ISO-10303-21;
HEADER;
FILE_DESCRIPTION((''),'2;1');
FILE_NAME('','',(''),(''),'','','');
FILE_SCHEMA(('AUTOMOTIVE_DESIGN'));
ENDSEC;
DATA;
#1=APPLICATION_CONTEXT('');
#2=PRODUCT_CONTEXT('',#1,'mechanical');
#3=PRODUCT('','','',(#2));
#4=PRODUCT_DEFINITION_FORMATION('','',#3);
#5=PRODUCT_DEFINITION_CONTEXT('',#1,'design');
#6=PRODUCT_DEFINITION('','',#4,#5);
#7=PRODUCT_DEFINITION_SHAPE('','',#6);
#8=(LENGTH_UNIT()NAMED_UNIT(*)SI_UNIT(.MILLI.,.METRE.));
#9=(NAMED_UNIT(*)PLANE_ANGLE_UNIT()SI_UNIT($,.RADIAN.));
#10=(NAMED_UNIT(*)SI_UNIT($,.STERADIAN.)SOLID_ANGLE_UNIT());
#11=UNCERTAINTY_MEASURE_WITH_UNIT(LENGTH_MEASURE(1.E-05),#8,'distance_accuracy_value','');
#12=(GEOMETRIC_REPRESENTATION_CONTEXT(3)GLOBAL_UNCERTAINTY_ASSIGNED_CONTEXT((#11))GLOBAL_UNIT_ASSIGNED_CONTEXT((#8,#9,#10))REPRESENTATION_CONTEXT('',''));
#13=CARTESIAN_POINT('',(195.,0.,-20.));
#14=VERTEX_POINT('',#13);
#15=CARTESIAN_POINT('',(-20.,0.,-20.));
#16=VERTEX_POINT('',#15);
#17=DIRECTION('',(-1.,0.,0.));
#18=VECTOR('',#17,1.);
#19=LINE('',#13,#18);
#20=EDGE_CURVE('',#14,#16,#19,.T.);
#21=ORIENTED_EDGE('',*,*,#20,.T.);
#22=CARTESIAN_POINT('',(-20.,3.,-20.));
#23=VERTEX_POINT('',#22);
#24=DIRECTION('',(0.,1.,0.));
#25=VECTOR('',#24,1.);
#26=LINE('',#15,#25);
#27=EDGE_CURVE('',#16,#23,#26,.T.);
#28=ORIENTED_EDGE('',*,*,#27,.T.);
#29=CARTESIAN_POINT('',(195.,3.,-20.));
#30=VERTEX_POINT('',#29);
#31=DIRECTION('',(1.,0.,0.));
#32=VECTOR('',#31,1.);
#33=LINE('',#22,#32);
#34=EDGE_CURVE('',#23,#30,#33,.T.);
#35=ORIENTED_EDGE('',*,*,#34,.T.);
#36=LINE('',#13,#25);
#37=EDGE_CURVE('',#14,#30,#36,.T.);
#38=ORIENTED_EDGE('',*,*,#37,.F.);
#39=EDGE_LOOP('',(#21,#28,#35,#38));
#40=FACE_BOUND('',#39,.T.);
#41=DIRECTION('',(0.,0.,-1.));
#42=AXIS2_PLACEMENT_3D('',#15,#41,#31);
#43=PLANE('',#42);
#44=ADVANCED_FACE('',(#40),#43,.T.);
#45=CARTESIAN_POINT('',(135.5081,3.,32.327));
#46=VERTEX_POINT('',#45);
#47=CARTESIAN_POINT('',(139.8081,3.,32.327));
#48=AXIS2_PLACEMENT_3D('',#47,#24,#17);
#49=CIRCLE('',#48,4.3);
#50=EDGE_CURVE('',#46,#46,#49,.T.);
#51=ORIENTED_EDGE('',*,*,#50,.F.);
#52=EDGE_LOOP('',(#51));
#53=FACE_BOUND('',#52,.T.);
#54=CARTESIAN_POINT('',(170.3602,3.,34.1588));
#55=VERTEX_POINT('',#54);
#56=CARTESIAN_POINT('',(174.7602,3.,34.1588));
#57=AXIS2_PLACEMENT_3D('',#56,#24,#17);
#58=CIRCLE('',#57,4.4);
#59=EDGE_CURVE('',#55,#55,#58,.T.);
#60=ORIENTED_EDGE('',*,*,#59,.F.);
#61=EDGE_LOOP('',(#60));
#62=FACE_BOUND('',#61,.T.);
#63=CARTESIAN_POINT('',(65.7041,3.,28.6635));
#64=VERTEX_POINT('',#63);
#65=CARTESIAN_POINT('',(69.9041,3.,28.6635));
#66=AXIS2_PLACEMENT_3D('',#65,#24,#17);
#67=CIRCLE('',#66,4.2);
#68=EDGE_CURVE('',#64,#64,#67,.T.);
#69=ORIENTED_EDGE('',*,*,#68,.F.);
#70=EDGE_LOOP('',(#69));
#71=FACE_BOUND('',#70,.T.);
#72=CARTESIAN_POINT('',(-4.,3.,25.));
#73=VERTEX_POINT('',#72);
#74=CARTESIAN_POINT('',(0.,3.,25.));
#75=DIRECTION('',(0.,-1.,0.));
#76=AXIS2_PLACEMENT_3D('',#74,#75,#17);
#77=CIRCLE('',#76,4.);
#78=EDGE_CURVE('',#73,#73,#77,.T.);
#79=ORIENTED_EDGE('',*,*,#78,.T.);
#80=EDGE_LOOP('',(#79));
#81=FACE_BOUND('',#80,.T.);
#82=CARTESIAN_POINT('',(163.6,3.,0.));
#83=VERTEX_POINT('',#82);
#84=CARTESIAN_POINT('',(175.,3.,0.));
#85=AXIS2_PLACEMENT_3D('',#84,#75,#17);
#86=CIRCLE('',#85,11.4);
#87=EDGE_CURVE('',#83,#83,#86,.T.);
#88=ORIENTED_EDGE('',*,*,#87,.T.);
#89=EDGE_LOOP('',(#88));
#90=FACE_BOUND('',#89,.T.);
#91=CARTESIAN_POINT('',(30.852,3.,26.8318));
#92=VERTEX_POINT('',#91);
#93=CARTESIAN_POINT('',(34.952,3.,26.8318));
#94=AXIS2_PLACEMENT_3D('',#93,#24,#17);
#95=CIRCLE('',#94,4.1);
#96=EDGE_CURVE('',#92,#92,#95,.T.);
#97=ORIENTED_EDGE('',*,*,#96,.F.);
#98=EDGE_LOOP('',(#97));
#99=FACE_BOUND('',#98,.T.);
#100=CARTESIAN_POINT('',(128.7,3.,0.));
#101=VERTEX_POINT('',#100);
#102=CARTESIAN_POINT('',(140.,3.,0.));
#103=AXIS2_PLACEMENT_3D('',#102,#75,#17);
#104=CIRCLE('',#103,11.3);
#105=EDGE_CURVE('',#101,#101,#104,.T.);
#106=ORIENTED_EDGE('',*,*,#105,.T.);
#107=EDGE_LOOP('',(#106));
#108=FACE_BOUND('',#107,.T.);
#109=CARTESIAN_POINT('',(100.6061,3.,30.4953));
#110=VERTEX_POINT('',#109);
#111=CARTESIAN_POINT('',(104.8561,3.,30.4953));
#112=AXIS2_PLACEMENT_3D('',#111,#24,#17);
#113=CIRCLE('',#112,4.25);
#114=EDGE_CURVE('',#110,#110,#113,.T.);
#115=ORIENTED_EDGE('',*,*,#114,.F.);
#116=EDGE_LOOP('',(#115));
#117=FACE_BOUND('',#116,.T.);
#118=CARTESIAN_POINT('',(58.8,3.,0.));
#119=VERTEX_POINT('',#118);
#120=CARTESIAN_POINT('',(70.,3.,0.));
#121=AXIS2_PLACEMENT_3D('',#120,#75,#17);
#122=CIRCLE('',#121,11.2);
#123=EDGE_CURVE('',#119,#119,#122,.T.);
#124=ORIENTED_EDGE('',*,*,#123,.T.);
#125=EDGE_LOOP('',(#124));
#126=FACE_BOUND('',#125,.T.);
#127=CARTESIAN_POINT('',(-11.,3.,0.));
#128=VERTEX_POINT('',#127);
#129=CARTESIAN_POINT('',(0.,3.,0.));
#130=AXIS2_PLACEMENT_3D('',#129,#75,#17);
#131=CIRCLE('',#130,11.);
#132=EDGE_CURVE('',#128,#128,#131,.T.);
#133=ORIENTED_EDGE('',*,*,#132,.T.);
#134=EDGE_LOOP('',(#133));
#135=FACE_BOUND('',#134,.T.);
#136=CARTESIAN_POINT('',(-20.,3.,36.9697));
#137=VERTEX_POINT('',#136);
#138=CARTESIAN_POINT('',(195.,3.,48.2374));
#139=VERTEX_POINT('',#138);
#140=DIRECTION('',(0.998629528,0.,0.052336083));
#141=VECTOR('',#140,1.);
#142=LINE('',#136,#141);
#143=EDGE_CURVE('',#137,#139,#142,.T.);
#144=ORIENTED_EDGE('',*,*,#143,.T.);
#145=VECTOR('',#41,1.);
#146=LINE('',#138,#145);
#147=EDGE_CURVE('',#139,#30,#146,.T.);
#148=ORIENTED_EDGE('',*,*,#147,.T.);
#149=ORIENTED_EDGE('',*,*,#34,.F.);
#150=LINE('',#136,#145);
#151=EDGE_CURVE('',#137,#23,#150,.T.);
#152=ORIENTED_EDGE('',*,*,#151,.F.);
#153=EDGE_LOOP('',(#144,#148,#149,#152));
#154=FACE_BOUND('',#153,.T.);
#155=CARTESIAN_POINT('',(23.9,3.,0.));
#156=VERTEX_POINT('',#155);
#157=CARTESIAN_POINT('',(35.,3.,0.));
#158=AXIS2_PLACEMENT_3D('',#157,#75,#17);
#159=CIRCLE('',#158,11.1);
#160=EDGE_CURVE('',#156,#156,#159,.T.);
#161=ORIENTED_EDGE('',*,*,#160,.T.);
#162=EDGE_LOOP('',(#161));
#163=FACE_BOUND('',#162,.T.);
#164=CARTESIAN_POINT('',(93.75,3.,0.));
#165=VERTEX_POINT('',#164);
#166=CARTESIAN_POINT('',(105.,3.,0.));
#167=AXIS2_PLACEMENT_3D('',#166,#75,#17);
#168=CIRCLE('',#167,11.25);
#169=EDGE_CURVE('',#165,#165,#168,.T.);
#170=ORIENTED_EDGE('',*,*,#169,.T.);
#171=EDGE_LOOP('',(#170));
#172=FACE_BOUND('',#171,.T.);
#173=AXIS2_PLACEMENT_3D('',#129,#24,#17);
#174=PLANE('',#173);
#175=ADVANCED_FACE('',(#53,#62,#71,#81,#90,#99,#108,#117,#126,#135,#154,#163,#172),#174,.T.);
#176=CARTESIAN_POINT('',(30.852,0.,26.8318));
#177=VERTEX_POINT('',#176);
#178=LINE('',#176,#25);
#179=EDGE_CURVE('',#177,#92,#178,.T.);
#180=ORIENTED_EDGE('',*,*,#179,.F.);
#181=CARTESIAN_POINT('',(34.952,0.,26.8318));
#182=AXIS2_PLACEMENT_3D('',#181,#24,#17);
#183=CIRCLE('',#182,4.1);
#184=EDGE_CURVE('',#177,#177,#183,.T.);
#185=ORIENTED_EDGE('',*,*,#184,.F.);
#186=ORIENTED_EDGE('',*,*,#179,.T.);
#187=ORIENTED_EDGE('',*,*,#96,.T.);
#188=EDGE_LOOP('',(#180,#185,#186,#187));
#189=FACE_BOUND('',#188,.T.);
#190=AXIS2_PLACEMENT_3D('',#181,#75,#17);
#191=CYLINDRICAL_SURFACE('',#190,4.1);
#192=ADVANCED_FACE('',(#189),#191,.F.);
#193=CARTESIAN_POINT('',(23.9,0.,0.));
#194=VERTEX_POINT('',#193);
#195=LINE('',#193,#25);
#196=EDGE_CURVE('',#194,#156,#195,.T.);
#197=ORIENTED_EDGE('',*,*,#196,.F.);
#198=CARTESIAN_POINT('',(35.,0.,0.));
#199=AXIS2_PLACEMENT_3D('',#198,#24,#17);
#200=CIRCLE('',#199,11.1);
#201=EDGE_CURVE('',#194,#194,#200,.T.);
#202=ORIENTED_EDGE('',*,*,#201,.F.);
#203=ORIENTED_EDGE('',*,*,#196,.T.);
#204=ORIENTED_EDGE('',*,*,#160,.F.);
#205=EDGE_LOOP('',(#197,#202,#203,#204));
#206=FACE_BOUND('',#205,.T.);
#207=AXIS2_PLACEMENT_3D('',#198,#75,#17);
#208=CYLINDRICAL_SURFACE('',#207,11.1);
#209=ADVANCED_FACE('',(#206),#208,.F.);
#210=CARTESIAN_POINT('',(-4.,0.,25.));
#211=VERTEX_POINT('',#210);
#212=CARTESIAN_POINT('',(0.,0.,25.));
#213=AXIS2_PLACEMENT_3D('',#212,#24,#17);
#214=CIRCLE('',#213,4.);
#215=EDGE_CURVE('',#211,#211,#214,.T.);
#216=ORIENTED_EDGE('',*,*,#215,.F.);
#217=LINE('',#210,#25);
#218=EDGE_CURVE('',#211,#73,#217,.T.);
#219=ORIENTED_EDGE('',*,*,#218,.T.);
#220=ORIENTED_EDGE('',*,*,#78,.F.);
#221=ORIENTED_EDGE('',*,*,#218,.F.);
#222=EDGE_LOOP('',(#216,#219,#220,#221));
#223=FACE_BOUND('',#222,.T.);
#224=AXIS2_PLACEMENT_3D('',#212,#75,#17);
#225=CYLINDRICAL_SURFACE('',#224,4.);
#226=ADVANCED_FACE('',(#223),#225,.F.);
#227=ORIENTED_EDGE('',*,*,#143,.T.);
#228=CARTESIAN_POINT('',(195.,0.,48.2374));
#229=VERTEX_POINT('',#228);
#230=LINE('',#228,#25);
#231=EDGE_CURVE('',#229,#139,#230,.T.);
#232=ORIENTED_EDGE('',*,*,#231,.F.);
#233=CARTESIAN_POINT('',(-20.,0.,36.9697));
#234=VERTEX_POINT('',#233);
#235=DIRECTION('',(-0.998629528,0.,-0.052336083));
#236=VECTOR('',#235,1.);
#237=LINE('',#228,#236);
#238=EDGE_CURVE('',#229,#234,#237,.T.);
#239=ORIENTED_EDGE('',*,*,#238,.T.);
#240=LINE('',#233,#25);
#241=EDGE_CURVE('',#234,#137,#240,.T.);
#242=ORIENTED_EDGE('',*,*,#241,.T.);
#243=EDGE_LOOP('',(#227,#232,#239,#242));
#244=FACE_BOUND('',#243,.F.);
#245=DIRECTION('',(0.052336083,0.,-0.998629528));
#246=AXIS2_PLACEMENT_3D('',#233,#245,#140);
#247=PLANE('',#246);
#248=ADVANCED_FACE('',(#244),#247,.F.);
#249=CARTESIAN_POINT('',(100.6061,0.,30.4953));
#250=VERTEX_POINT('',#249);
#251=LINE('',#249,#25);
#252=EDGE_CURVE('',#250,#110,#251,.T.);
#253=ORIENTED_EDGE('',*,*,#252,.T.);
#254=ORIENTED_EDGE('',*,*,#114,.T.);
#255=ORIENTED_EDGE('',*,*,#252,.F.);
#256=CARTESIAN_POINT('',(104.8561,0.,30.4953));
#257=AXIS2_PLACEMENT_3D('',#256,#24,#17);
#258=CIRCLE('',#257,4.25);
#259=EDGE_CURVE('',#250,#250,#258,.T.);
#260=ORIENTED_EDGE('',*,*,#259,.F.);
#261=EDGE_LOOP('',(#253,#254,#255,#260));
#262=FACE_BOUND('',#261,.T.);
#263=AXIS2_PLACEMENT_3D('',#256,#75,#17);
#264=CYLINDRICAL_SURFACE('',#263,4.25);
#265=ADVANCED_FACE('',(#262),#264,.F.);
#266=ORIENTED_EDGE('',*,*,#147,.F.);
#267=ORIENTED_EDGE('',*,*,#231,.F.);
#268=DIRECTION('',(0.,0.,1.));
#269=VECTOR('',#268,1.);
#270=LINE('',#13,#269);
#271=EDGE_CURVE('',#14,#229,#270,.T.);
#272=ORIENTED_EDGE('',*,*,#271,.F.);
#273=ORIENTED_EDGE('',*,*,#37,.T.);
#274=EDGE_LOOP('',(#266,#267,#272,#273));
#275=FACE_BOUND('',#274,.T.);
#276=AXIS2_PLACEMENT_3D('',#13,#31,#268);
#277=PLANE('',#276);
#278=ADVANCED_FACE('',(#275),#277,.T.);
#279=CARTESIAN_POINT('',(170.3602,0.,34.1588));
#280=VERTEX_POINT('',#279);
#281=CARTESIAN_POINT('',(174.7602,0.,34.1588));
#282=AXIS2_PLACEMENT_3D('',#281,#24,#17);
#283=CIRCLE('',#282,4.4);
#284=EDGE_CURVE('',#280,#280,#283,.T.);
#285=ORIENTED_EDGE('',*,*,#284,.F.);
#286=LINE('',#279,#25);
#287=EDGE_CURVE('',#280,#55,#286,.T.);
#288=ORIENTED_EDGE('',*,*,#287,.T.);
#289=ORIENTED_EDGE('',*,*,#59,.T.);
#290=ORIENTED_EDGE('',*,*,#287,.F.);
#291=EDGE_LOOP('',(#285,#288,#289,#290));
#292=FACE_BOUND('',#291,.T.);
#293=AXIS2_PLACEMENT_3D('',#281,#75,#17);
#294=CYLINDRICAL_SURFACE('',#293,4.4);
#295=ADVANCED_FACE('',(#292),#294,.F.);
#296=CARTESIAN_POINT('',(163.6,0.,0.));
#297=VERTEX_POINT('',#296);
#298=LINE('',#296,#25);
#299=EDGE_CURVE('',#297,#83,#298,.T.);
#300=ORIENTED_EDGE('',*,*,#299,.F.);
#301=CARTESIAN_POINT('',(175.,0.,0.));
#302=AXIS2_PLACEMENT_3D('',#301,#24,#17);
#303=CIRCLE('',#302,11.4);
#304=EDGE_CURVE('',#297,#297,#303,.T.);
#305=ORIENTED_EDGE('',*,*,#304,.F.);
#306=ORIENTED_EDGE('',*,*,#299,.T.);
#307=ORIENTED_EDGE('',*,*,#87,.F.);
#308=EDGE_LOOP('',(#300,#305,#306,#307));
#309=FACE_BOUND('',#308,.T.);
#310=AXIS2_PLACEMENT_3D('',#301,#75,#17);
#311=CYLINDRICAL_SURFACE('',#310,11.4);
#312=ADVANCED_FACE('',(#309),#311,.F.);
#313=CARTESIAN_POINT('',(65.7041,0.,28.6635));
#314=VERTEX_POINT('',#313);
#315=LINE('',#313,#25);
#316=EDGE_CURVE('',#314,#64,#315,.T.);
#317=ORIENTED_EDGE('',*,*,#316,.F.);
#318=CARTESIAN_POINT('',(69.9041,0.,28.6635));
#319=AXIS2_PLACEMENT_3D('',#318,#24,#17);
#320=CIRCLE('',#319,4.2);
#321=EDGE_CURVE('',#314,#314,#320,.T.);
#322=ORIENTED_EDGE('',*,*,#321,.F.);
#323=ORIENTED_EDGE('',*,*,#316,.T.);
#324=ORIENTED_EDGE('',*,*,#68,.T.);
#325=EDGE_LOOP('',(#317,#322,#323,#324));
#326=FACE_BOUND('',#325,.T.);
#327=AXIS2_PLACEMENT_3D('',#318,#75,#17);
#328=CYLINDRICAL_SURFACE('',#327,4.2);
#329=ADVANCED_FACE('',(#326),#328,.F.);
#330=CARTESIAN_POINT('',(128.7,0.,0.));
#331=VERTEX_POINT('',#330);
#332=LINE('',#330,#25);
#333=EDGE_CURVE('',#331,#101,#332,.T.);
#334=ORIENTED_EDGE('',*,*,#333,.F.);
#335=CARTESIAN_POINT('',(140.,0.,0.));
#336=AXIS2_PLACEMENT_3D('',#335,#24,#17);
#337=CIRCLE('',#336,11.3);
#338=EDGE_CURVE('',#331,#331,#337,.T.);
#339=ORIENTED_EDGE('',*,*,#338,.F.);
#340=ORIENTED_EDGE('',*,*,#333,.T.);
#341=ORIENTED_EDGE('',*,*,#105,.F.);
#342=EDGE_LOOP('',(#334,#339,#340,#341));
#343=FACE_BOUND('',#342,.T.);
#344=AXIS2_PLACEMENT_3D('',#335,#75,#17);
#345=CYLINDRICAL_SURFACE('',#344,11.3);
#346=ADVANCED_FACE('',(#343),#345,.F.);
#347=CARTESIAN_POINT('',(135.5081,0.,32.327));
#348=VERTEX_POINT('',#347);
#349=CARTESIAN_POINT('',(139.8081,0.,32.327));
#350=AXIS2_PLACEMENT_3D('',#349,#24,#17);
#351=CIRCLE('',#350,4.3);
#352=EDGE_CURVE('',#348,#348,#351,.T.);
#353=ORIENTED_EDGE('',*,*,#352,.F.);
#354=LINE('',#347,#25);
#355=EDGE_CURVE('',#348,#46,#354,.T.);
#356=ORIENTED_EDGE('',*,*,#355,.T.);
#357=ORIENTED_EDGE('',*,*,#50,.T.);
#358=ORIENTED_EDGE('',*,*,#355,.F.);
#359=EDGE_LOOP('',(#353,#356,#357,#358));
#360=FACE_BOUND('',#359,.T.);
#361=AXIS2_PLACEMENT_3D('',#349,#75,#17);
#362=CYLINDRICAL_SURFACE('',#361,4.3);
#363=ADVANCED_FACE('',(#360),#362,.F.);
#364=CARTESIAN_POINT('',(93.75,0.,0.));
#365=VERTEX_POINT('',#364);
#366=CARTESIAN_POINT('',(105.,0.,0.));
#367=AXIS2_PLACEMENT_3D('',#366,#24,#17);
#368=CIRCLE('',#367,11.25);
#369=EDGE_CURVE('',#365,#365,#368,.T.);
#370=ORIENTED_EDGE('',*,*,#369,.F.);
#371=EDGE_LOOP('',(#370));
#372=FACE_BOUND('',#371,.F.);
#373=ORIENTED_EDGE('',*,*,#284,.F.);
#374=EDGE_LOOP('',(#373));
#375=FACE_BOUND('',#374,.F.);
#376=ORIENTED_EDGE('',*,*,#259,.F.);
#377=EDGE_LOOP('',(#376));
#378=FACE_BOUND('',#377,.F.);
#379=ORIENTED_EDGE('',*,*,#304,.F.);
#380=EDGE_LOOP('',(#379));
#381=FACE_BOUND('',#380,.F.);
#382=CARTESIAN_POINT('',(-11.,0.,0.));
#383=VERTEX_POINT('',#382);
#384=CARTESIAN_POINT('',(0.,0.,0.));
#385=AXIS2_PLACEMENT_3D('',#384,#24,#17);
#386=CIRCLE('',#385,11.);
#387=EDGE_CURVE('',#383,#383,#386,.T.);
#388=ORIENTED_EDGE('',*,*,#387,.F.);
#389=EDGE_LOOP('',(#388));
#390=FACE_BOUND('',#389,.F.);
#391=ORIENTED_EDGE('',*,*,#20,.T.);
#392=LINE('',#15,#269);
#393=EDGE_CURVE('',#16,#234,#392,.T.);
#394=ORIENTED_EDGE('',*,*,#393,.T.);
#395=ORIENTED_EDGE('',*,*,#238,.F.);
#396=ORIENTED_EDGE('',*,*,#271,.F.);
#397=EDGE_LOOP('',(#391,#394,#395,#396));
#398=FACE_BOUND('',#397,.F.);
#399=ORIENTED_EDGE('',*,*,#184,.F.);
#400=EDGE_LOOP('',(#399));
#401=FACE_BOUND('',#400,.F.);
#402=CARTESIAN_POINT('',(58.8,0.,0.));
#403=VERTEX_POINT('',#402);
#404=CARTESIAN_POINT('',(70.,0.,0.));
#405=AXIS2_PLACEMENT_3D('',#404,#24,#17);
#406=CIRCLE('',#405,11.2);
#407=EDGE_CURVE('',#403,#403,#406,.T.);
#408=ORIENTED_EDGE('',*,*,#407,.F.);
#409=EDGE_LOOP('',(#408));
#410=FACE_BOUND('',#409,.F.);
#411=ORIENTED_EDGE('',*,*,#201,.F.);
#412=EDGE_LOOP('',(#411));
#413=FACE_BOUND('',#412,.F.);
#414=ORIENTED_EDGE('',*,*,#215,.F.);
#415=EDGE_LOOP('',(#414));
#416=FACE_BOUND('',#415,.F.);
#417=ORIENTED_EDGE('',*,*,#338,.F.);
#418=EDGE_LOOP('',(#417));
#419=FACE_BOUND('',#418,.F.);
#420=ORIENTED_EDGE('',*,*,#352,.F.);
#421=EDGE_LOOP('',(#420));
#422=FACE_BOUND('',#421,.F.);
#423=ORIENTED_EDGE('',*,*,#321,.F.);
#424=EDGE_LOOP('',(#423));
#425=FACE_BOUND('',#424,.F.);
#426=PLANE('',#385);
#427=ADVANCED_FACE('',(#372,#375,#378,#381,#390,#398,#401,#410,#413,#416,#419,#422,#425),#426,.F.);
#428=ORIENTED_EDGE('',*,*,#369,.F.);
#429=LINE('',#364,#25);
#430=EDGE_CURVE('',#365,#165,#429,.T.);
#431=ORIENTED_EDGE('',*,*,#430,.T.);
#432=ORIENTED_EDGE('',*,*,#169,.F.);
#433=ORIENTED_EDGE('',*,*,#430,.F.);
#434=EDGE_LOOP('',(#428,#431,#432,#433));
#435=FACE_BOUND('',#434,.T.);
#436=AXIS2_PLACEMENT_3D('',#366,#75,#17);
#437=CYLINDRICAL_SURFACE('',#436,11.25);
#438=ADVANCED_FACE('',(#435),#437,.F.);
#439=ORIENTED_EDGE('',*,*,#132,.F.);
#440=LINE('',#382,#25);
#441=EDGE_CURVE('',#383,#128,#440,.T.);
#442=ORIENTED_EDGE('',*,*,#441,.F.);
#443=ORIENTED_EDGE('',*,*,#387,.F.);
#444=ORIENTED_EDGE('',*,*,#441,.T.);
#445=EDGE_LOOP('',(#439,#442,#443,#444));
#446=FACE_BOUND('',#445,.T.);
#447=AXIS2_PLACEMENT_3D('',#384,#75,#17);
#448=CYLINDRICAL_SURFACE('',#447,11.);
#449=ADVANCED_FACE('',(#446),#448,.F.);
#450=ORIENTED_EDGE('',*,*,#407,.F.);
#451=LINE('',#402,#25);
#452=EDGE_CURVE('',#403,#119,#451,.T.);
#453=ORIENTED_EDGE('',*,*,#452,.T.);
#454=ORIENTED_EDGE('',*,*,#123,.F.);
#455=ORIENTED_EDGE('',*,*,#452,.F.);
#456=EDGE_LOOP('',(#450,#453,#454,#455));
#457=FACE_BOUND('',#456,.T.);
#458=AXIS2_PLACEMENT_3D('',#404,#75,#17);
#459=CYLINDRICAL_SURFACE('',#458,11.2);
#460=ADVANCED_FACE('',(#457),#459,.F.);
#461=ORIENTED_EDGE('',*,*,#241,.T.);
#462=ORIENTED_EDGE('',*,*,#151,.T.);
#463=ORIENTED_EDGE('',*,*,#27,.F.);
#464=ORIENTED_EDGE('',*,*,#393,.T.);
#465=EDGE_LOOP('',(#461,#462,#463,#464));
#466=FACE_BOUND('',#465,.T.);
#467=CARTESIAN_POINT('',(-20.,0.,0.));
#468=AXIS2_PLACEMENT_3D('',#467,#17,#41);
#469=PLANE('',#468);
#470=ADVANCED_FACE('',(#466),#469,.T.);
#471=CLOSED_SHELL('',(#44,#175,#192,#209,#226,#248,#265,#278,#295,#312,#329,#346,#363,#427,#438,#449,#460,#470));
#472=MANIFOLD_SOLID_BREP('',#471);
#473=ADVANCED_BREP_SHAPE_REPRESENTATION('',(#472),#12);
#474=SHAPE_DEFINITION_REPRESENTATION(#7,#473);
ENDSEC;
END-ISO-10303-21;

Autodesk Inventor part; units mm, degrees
ref_plane "YZ Plane" through (0, 0, 0) normal (1, 0, 0) x (0, 1, 0)
ref_plane "XZ Plane" through (0, 0, 0) normal (0, 1, 0) x (-1, 0, 0)
ref_plane "XY Plane" through (0, 0, 0) normal (0, 0, 1) x (1, 0, 0)
sketch "Sketch1" plane through (0, 0, 0) normal (0, 1, 0) x (-1, 0, 0)
  line L0 (64.9523, 0) -> (-249.7137, 0) projected
  line L1 (0, -33.6475) -> (0, 61.8848) projected
  circle A0 centre (0, 0) radius 11
  circle A1 centre (-35, 0) radius 11.1
  circle A2 centre (-70, 0) radius 11.2
  circle A3 centre (-105, 0) radius 11.25
  circle A4 centre (-140, 0) radius 11.3
  circle A5 centre (-175, 0) radius 11.4
  line L2 (13.9808, 24.2673) -> (-204.7614, 35.7311) construction
  circle A6 centre (0, 25) radius 4
  circle A7 centre (-34.952, 26.8318) radius 4.1
  circle A8 centre (-69.9041, 28.6635) radius 4.2
  circle A9 centre (-104.8561, 30.4953) radius 4.25
  circle A10 centre (-139.8081, 32.327) radius 4.3
  circle A11 centre (-174.7602, 34.1588) radius 4.4
  line L3 (-195, -20) -> (-195, 48.2374)
  line L4 (20, 36.9697) -> (20, -20)
  line L5 (20, -20) -> (-195, -20)
  line L6 (20, 36.9697) -> (-195, 48.2374)
  dimension "d0" = 22
  dimension "d1" = 22.2
  dimension "d2" = 22.4
  dimension "d3" = 22.5
  dimension "d4" = 35
  dimension "d5" = 35
  dimension "d6" = 35
  dimension "d7" = 22.6
  dimension "d8" = 22.8
  dimension "d9" = 35
  dimension "d10" = 35
  dimension "d12" = 8
  dimension "d13" = 8.2
  dimension "d14" = 8.4
  dimension "d15" = 8.5
  dimension "d16" = 8.6
  dimension "d17" = 8.8
  dimension "d18" = 35
  dimension "d19" = 35
  dimension "d20" = 35
  dimension "d21" = 35
  dimension "d22" = 35
  dimension "d23" = 20
  dimension "d24" = 20
  dimension "d29" = 3
  dimension "d30" = 20
  dimension "d31" = 25
  dimension "d32" = 13
extrude "Extrusion1" add sketch "Sketch1" along normal blind 3 contours L4 L5 L1 A0 L0 | L0 A0 L1 A6 L6 L4 | A0 L0 A1 A2 A3 A4 A5 L3 L6 L1 A6 | L1 L5 L3 L0 A5 A4 A3 A2 A1 A0
properties part number "agujeros 8mm y 22mm"
